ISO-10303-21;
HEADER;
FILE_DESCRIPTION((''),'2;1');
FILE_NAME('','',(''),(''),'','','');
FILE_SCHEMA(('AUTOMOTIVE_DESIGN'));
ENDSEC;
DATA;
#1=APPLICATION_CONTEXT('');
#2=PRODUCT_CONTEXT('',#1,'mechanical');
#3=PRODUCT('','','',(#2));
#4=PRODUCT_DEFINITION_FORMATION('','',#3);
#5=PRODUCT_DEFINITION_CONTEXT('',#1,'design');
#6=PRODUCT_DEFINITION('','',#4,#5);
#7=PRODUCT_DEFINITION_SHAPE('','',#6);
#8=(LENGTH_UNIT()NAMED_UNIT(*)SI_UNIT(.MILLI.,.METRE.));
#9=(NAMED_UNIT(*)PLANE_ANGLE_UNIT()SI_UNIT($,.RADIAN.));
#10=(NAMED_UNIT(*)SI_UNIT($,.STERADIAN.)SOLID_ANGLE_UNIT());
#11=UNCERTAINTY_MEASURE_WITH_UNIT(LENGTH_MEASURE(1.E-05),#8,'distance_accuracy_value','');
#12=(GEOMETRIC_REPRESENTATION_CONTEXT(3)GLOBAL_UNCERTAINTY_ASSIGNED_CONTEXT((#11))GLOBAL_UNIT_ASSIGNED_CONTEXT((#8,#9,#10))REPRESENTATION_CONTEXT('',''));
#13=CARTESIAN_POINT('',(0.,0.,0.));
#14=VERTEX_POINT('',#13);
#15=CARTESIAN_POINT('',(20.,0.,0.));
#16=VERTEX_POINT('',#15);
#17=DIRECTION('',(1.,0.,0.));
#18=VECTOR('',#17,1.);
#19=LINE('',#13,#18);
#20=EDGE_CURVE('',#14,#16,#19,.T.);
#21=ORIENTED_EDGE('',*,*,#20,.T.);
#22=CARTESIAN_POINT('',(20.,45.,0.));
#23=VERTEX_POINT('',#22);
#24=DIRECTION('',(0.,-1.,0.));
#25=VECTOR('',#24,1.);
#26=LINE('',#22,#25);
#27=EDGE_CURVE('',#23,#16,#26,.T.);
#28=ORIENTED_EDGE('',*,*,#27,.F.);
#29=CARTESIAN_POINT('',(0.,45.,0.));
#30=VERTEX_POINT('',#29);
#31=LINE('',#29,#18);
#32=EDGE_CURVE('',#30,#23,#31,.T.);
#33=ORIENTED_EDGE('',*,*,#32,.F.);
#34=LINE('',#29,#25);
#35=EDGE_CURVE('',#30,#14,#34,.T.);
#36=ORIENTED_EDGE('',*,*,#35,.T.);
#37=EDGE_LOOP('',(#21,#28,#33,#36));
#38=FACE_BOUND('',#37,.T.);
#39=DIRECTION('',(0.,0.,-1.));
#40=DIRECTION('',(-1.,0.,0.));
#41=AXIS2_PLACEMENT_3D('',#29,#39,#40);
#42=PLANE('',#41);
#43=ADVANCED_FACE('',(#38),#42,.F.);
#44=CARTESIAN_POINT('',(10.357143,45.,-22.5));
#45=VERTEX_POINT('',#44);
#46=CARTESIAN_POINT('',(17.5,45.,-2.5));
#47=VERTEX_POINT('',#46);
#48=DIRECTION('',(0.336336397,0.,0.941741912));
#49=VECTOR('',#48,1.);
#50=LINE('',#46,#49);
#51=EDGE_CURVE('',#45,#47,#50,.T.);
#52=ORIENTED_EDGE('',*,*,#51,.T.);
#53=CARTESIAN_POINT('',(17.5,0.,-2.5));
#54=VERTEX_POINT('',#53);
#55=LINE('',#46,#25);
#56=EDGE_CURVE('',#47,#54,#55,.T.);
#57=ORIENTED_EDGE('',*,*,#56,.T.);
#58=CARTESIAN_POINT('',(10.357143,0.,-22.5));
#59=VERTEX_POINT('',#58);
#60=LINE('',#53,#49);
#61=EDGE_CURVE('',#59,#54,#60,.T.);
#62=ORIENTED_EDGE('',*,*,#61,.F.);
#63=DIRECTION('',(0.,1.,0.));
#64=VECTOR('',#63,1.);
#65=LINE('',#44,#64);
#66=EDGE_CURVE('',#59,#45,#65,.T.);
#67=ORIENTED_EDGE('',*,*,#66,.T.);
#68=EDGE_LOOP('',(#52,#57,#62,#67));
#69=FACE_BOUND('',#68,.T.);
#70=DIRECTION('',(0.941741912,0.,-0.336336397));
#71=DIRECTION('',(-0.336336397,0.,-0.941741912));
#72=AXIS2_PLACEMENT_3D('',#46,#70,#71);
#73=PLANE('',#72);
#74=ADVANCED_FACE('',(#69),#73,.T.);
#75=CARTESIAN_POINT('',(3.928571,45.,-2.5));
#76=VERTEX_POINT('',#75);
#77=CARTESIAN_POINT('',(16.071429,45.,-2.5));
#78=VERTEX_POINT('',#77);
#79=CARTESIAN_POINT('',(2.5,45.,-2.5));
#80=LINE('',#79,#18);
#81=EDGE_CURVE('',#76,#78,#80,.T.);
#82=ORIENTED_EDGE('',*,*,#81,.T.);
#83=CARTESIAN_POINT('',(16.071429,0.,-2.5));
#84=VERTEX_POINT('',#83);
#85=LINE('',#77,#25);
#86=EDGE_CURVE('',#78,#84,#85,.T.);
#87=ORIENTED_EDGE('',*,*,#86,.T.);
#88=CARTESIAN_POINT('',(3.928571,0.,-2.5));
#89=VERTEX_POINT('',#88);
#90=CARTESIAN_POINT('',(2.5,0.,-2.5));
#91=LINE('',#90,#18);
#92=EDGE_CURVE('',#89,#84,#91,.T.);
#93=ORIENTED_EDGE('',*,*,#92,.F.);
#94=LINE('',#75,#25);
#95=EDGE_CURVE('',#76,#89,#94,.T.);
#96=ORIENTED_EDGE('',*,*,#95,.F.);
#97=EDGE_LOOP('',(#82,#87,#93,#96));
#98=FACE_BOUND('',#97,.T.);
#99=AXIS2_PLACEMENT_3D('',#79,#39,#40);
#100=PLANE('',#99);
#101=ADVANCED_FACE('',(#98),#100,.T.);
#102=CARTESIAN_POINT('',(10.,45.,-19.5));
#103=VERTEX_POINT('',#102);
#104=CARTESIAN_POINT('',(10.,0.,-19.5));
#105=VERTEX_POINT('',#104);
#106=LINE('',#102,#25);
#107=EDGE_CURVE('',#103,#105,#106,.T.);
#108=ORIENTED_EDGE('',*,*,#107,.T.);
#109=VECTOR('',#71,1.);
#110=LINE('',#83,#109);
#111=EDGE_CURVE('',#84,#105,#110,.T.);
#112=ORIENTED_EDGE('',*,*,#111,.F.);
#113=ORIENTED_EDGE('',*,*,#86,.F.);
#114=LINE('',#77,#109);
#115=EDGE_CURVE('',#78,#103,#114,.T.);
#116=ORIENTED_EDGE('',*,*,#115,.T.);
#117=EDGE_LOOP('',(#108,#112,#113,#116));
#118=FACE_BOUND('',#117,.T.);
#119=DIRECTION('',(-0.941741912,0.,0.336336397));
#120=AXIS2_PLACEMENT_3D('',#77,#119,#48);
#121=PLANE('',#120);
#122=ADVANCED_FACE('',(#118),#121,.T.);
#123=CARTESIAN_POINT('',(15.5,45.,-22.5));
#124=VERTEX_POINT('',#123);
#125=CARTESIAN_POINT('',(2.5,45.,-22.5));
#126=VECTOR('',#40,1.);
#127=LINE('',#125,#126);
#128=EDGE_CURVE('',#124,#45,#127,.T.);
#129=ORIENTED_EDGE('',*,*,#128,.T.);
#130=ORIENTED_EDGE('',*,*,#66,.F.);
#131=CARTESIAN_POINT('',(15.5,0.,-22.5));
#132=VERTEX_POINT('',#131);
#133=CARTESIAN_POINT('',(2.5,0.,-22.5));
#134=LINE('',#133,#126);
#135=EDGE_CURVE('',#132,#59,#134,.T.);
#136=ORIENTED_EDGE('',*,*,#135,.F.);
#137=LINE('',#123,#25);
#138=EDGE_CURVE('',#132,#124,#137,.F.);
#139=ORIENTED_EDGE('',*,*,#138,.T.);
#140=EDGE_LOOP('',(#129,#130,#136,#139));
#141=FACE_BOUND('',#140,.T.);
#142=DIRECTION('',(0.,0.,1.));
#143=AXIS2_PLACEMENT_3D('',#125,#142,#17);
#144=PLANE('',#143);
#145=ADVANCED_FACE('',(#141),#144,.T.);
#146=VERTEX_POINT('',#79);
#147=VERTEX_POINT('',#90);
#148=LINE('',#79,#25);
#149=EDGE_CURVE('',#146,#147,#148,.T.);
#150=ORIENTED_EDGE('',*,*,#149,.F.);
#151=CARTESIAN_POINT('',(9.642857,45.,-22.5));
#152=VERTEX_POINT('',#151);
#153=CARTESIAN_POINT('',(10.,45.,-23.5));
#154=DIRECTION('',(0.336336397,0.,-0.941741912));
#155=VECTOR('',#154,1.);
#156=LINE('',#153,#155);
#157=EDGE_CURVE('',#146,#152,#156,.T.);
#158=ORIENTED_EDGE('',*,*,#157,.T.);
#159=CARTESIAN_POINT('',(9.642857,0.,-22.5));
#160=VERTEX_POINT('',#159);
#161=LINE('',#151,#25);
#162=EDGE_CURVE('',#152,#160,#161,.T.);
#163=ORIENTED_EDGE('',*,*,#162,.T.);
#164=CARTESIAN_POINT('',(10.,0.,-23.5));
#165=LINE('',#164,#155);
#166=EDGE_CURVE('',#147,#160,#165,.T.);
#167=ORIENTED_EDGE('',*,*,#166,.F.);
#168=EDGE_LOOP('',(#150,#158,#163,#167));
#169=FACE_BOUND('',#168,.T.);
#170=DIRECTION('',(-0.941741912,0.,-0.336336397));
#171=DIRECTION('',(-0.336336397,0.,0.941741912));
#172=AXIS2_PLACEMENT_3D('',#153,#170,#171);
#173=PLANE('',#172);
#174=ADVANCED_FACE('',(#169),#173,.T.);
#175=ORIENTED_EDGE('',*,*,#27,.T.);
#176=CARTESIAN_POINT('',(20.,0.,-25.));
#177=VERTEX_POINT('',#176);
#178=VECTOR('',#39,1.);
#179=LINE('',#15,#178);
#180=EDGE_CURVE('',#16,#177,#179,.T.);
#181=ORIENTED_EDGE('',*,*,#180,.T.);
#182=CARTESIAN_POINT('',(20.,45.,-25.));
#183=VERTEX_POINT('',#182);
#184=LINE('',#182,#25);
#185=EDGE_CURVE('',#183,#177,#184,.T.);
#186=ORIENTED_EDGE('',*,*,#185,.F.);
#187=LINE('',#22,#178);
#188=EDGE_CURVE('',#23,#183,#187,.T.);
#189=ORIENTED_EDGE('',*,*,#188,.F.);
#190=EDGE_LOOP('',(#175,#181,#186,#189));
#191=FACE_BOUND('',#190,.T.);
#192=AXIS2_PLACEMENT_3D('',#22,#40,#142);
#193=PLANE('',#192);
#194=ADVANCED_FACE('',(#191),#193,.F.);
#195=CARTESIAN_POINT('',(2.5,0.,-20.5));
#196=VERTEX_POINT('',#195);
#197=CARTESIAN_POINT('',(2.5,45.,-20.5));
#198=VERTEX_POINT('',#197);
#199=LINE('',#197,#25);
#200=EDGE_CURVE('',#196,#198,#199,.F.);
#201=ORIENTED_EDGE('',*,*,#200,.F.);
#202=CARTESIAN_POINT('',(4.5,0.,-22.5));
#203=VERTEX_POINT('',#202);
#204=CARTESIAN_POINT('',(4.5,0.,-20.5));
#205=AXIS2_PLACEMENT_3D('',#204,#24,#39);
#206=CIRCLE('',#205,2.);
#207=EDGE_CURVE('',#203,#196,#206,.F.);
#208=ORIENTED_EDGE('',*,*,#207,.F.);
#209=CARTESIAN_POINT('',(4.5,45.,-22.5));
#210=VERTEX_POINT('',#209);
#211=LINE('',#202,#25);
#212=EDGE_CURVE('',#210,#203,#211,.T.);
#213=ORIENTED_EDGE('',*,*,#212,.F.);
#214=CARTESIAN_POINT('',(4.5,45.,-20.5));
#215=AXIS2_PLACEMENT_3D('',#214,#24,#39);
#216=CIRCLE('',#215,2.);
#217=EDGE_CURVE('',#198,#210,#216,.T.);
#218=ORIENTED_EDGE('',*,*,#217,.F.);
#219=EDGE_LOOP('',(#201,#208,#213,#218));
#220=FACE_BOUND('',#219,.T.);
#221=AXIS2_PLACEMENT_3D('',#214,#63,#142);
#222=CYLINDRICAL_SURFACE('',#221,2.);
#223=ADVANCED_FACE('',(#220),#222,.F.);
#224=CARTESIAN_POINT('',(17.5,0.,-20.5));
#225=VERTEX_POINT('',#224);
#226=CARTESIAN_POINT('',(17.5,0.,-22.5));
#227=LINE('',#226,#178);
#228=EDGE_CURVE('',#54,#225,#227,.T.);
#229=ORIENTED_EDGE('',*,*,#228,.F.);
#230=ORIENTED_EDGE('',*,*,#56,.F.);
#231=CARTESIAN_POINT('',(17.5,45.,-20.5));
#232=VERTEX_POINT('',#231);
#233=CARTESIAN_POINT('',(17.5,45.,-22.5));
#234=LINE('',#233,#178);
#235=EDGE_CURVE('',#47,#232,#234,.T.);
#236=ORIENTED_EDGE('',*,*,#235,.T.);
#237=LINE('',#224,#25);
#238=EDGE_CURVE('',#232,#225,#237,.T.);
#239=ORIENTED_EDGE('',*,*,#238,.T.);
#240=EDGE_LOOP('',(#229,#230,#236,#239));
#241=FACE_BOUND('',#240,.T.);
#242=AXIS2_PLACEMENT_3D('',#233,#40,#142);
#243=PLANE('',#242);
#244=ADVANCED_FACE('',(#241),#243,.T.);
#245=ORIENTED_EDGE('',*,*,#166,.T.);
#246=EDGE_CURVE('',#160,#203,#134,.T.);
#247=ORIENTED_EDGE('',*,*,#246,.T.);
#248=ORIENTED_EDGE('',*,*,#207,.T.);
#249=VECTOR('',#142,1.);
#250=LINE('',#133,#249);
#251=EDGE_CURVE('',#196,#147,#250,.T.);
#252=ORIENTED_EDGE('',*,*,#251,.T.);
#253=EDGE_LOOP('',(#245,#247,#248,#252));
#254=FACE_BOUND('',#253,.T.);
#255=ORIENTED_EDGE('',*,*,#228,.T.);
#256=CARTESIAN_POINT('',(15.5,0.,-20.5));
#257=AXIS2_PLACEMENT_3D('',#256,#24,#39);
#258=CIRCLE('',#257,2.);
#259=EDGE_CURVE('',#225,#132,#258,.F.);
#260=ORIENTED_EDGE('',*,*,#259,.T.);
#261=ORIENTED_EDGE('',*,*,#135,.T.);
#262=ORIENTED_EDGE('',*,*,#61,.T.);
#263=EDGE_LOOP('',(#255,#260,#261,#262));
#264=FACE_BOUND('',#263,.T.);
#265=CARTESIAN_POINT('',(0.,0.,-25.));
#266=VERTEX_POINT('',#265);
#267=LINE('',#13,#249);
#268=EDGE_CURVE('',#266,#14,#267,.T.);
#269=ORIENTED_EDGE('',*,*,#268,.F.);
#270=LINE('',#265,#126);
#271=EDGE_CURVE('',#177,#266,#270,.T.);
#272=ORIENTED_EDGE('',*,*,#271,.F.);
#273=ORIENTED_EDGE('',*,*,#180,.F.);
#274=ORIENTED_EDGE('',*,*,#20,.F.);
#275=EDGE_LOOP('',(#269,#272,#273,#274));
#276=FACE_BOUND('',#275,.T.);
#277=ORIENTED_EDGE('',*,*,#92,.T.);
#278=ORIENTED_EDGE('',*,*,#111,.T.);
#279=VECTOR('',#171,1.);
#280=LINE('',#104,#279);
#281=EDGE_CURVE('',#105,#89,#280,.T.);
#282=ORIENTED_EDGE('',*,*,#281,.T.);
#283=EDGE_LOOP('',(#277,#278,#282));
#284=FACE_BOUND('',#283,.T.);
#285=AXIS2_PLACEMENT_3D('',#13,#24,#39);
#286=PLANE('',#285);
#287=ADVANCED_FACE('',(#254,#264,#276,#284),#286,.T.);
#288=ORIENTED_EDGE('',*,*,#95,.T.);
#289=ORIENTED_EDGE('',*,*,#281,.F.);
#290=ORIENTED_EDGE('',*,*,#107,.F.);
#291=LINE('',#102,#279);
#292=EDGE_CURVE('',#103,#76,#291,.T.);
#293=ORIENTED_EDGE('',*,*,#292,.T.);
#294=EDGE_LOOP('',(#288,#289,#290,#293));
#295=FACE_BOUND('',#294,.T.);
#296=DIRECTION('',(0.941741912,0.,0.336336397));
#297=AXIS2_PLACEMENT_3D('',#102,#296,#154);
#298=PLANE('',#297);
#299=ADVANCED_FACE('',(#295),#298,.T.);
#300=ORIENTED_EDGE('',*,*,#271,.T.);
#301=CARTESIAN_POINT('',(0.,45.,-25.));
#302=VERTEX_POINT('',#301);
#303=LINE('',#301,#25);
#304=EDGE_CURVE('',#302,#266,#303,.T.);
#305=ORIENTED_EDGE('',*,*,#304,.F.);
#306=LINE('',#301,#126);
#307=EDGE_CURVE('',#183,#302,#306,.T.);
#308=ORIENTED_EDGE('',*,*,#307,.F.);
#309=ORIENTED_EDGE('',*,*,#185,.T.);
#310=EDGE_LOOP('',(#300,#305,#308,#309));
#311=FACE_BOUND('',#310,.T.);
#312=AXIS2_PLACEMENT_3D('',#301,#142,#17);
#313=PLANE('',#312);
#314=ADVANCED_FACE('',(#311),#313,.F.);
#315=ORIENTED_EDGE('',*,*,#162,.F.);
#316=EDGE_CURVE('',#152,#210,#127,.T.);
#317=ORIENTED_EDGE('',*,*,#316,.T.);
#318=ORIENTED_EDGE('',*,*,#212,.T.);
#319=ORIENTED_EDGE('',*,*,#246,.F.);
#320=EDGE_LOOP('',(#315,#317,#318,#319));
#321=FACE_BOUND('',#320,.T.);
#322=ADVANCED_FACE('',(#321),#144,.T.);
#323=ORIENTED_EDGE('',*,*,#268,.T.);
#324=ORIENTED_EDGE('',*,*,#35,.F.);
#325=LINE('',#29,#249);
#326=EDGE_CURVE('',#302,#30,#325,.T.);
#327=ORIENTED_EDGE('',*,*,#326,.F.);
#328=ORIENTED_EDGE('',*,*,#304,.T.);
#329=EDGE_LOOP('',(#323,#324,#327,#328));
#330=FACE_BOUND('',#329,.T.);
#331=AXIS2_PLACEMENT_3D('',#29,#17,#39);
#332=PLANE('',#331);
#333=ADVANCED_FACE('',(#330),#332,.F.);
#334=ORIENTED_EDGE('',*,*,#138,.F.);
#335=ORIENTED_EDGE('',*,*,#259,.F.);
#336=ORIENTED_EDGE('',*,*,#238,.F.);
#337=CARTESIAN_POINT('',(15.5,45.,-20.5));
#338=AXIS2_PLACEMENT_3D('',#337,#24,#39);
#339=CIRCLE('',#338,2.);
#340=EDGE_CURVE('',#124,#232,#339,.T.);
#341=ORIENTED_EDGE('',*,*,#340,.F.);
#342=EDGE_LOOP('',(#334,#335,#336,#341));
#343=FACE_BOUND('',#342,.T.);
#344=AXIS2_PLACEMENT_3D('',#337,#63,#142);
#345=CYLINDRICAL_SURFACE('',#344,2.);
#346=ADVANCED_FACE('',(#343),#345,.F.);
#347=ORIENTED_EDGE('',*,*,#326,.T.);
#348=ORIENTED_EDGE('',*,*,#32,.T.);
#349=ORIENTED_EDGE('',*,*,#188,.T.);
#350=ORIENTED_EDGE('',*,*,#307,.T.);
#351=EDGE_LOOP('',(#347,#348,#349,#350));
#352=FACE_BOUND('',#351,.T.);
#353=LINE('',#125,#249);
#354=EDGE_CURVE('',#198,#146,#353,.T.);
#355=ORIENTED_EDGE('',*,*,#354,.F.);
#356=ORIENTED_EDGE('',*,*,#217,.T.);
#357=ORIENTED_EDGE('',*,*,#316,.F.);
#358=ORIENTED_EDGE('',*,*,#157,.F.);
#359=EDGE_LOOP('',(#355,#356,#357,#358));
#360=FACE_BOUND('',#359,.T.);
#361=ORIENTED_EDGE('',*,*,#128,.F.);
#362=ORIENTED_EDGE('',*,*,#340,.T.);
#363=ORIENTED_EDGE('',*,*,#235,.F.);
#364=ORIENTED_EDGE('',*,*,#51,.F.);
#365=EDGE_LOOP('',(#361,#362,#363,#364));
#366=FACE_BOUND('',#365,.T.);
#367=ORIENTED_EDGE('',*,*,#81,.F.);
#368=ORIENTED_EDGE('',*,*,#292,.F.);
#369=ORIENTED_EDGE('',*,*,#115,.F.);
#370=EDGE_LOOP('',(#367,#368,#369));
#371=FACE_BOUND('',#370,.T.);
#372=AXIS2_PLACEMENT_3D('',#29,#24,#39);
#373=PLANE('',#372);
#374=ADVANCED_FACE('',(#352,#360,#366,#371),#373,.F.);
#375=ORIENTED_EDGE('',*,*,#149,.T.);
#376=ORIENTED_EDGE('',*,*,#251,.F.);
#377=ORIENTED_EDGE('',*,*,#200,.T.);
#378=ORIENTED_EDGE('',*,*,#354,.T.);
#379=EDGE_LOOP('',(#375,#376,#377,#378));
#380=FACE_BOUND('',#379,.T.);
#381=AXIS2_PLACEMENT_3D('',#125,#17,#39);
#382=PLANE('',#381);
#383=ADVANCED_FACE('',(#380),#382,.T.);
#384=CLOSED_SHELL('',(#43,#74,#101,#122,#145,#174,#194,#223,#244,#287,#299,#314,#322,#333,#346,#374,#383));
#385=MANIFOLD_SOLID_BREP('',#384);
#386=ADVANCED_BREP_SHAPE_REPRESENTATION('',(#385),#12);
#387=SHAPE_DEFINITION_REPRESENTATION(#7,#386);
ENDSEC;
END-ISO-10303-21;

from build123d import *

# Parameters (mm, degrees)
SKETCH1_W           = 20
SKETCH1_H           = 25
SKETCH1_W_2         = 15
SKETCH1_H_2         = 20
BOSS_EXTRUDE1_DEPTH = 45
BOSS_EXTRUDE4_DEPTH = 45
FILLET2_R           = 2


with BuildPart() as part:
    # Sketch1 → Boss-Extrude1 (new body)
    with BuildSketch(Plane(origin=(0, 0, 0), x_dir=(1, 0, 0), z_dir=(0, 1, 0))):
        with Locations((10, 12.5)):
            Rectangle(SKETCH1_W, SKETCH1_H)
        with Locations((10, 12.5)):
            Rectangle(SKETCH1_W_2, SKETCH1_H_2, mode=Mode.SUBTRACT)
    extrude(amount=BOSS_EXTRUDE1_DEPTH)

    # Sketch3 → Boss-Extrude4 (add, through all)
    with BuildSketch(Plane.XZ):
        Polygon((17.5, -2.5), (10, -23.5), (2.5, -2.5), (3.928571429, -2.5), (10, -19.5), (16.071428571, -2.5), align=None)
    extrude(amount=-BOSS_EXTRUDE4_DEPTH)

    # Fillet2
    fillet2_edges = [part.edges().sort_by_distance(p)[0] for p in [
        (2.5, 22.5, -22.5),
        (17.5, 22.5, -22.5),
    ]]
    fillet(fillet2_edges, radius=FILLET2_R)


solid = part.part
